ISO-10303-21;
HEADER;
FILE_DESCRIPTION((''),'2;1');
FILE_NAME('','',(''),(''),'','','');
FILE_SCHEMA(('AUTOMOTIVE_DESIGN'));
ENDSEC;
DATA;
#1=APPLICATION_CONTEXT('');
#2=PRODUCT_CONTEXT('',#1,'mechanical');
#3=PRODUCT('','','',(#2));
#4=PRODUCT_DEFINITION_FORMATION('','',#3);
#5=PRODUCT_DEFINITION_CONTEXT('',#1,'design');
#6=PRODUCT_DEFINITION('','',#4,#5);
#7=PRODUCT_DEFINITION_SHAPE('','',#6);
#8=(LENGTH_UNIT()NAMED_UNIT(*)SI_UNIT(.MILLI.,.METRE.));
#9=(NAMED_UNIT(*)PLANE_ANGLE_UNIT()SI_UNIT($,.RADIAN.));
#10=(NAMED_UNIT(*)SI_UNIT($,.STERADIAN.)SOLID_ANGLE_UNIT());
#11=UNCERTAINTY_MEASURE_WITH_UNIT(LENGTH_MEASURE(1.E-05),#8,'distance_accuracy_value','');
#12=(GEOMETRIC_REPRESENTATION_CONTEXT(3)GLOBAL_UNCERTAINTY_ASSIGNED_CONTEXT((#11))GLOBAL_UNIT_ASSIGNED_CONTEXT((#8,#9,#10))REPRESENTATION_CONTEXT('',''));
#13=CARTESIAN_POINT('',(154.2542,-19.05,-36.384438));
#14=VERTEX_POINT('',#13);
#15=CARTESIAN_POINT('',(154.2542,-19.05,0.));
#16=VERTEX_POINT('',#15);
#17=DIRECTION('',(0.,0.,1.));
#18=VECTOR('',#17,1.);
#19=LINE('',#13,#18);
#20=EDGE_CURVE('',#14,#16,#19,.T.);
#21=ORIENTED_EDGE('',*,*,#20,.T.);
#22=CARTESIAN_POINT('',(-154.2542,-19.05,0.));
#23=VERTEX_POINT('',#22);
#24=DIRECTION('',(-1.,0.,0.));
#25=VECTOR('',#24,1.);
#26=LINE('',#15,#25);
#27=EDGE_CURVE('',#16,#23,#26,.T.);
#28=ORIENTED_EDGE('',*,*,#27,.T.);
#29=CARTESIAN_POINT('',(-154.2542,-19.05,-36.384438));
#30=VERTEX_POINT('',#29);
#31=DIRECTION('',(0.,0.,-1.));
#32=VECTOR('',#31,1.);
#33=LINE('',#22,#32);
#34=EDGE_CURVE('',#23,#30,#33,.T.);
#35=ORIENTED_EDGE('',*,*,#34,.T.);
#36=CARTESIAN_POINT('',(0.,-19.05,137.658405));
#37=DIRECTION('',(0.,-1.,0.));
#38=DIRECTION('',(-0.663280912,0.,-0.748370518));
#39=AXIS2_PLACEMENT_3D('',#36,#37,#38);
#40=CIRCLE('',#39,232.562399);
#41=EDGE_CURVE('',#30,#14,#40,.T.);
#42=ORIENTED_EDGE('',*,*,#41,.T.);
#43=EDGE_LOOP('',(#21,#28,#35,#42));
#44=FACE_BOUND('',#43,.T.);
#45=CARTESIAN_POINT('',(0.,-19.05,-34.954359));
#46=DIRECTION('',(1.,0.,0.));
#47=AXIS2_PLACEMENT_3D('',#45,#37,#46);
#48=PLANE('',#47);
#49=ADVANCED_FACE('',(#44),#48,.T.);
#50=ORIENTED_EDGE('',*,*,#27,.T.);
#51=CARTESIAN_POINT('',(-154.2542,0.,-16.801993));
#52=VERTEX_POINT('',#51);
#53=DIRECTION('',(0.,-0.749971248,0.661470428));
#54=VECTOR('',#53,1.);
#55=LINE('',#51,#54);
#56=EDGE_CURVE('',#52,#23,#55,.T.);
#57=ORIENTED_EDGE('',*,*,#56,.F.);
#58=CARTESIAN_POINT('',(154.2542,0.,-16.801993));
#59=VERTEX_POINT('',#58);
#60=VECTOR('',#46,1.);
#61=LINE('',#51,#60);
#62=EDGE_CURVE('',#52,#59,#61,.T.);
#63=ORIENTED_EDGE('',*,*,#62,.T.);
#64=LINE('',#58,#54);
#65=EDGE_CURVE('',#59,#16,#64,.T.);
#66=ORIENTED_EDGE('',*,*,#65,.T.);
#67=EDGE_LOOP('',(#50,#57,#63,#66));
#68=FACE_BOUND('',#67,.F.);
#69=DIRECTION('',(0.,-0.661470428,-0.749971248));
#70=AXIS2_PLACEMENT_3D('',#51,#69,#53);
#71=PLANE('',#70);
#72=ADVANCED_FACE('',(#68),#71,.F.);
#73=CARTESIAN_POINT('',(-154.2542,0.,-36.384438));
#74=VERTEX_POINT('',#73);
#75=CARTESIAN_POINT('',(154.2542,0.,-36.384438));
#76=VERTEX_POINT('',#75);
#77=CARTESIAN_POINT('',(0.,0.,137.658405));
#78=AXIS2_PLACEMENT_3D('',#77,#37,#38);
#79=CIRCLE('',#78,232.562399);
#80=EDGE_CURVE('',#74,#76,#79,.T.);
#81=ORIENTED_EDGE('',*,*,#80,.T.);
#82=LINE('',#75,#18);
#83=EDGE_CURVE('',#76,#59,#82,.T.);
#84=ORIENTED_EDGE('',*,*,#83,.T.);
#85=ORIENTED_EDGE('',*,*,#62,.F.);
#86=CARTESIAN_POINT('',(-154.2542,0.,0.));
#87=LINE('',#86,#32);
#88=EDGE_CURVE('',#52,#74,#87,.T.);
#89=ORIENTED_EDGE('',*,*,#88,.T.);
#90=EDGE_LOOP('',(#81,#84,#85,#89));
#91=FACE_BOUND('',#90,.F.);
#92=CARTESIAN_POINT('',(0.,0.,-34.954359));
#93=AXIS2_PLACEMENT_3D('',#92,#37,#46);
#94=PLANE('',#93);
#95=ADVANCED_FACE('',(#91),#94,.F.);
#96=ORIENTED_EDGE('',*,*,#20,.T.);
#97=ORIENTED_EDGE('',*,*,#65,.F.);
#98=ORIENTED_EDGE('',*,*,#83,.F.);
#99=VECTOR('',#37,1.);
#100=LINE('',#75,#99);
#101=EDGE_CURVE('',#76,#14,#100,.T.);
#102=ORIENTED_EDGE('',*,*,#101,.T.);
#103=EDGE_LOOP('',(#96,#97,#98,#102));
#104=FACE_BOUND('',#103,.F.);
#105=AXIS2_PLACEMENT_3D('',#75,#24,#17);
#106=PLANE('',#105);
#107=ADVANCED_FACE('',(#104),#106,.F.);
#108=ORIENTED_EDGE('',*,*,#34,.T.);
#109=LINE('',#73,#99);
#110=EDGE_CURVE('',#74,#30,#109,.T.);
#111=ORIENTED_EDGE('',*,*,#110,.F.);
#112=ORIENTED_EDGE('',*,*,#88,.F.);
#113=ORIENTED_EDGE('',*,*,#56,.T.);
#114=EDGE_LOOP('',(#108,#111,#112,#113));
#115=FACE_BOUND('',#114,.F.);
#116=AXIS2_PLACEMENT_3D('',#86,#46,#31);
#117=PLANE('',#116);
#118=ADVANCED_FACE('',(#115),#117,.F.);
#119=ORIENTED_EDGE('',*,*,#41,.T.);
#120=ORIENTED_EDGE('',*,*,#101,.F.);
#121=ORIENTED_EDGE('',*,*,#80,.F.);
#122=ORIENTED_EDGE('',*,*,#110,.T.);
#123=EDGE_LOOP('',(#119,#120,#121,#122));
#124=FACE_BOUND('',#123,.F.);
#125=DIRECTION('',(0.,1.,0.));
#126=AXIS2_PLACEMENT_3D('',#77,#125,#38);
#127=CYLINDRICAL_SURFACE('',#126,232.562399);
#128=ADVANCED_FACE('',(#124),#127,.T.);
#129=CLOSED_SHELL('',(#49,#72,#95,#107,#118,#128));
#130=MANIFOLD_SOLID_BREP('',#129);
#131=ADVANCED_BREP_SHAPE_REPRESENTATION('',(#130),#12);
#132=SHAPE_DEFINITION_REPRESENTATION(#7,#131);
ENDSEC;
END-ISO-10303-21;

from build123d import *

# Parameters (mm, degrees)
F1_DEPTH = 19.05
F3_DEPTH = 308.5084


with BuildPart() as f1:
    # F0 (on Front) → F1 (new body)
    with BuildSketch(Plane.XZ):
        with BuildLine():
            Line((154.2542, 0), (-154.2542, 0))
            Line((-154.2542, 0), (-154.2542, -36.384438))
            ThreePointArc((-154.2542, -36.384438), (0, -94.903994), (154.2542, -36.384438))
            Line((154.2542, -36.384438), (154.2542, 0))
        make_face()
    extrude(amount=F1_DEPTH)

    # F2 (on face) → F3 (cut, through all)
    with BuildSketch(Plane(origin=(-154.2542, 0, 0), x_dir=(0, -1, 0), z_dir=(-1, 0, 0))):
        Polygon((19.05, 0), (0, 0), (0, -16.801993), align=None)
    extrude(amount=-F3_DEPTH, mode=Mode.SUBTRACT)


solid = f1.part
